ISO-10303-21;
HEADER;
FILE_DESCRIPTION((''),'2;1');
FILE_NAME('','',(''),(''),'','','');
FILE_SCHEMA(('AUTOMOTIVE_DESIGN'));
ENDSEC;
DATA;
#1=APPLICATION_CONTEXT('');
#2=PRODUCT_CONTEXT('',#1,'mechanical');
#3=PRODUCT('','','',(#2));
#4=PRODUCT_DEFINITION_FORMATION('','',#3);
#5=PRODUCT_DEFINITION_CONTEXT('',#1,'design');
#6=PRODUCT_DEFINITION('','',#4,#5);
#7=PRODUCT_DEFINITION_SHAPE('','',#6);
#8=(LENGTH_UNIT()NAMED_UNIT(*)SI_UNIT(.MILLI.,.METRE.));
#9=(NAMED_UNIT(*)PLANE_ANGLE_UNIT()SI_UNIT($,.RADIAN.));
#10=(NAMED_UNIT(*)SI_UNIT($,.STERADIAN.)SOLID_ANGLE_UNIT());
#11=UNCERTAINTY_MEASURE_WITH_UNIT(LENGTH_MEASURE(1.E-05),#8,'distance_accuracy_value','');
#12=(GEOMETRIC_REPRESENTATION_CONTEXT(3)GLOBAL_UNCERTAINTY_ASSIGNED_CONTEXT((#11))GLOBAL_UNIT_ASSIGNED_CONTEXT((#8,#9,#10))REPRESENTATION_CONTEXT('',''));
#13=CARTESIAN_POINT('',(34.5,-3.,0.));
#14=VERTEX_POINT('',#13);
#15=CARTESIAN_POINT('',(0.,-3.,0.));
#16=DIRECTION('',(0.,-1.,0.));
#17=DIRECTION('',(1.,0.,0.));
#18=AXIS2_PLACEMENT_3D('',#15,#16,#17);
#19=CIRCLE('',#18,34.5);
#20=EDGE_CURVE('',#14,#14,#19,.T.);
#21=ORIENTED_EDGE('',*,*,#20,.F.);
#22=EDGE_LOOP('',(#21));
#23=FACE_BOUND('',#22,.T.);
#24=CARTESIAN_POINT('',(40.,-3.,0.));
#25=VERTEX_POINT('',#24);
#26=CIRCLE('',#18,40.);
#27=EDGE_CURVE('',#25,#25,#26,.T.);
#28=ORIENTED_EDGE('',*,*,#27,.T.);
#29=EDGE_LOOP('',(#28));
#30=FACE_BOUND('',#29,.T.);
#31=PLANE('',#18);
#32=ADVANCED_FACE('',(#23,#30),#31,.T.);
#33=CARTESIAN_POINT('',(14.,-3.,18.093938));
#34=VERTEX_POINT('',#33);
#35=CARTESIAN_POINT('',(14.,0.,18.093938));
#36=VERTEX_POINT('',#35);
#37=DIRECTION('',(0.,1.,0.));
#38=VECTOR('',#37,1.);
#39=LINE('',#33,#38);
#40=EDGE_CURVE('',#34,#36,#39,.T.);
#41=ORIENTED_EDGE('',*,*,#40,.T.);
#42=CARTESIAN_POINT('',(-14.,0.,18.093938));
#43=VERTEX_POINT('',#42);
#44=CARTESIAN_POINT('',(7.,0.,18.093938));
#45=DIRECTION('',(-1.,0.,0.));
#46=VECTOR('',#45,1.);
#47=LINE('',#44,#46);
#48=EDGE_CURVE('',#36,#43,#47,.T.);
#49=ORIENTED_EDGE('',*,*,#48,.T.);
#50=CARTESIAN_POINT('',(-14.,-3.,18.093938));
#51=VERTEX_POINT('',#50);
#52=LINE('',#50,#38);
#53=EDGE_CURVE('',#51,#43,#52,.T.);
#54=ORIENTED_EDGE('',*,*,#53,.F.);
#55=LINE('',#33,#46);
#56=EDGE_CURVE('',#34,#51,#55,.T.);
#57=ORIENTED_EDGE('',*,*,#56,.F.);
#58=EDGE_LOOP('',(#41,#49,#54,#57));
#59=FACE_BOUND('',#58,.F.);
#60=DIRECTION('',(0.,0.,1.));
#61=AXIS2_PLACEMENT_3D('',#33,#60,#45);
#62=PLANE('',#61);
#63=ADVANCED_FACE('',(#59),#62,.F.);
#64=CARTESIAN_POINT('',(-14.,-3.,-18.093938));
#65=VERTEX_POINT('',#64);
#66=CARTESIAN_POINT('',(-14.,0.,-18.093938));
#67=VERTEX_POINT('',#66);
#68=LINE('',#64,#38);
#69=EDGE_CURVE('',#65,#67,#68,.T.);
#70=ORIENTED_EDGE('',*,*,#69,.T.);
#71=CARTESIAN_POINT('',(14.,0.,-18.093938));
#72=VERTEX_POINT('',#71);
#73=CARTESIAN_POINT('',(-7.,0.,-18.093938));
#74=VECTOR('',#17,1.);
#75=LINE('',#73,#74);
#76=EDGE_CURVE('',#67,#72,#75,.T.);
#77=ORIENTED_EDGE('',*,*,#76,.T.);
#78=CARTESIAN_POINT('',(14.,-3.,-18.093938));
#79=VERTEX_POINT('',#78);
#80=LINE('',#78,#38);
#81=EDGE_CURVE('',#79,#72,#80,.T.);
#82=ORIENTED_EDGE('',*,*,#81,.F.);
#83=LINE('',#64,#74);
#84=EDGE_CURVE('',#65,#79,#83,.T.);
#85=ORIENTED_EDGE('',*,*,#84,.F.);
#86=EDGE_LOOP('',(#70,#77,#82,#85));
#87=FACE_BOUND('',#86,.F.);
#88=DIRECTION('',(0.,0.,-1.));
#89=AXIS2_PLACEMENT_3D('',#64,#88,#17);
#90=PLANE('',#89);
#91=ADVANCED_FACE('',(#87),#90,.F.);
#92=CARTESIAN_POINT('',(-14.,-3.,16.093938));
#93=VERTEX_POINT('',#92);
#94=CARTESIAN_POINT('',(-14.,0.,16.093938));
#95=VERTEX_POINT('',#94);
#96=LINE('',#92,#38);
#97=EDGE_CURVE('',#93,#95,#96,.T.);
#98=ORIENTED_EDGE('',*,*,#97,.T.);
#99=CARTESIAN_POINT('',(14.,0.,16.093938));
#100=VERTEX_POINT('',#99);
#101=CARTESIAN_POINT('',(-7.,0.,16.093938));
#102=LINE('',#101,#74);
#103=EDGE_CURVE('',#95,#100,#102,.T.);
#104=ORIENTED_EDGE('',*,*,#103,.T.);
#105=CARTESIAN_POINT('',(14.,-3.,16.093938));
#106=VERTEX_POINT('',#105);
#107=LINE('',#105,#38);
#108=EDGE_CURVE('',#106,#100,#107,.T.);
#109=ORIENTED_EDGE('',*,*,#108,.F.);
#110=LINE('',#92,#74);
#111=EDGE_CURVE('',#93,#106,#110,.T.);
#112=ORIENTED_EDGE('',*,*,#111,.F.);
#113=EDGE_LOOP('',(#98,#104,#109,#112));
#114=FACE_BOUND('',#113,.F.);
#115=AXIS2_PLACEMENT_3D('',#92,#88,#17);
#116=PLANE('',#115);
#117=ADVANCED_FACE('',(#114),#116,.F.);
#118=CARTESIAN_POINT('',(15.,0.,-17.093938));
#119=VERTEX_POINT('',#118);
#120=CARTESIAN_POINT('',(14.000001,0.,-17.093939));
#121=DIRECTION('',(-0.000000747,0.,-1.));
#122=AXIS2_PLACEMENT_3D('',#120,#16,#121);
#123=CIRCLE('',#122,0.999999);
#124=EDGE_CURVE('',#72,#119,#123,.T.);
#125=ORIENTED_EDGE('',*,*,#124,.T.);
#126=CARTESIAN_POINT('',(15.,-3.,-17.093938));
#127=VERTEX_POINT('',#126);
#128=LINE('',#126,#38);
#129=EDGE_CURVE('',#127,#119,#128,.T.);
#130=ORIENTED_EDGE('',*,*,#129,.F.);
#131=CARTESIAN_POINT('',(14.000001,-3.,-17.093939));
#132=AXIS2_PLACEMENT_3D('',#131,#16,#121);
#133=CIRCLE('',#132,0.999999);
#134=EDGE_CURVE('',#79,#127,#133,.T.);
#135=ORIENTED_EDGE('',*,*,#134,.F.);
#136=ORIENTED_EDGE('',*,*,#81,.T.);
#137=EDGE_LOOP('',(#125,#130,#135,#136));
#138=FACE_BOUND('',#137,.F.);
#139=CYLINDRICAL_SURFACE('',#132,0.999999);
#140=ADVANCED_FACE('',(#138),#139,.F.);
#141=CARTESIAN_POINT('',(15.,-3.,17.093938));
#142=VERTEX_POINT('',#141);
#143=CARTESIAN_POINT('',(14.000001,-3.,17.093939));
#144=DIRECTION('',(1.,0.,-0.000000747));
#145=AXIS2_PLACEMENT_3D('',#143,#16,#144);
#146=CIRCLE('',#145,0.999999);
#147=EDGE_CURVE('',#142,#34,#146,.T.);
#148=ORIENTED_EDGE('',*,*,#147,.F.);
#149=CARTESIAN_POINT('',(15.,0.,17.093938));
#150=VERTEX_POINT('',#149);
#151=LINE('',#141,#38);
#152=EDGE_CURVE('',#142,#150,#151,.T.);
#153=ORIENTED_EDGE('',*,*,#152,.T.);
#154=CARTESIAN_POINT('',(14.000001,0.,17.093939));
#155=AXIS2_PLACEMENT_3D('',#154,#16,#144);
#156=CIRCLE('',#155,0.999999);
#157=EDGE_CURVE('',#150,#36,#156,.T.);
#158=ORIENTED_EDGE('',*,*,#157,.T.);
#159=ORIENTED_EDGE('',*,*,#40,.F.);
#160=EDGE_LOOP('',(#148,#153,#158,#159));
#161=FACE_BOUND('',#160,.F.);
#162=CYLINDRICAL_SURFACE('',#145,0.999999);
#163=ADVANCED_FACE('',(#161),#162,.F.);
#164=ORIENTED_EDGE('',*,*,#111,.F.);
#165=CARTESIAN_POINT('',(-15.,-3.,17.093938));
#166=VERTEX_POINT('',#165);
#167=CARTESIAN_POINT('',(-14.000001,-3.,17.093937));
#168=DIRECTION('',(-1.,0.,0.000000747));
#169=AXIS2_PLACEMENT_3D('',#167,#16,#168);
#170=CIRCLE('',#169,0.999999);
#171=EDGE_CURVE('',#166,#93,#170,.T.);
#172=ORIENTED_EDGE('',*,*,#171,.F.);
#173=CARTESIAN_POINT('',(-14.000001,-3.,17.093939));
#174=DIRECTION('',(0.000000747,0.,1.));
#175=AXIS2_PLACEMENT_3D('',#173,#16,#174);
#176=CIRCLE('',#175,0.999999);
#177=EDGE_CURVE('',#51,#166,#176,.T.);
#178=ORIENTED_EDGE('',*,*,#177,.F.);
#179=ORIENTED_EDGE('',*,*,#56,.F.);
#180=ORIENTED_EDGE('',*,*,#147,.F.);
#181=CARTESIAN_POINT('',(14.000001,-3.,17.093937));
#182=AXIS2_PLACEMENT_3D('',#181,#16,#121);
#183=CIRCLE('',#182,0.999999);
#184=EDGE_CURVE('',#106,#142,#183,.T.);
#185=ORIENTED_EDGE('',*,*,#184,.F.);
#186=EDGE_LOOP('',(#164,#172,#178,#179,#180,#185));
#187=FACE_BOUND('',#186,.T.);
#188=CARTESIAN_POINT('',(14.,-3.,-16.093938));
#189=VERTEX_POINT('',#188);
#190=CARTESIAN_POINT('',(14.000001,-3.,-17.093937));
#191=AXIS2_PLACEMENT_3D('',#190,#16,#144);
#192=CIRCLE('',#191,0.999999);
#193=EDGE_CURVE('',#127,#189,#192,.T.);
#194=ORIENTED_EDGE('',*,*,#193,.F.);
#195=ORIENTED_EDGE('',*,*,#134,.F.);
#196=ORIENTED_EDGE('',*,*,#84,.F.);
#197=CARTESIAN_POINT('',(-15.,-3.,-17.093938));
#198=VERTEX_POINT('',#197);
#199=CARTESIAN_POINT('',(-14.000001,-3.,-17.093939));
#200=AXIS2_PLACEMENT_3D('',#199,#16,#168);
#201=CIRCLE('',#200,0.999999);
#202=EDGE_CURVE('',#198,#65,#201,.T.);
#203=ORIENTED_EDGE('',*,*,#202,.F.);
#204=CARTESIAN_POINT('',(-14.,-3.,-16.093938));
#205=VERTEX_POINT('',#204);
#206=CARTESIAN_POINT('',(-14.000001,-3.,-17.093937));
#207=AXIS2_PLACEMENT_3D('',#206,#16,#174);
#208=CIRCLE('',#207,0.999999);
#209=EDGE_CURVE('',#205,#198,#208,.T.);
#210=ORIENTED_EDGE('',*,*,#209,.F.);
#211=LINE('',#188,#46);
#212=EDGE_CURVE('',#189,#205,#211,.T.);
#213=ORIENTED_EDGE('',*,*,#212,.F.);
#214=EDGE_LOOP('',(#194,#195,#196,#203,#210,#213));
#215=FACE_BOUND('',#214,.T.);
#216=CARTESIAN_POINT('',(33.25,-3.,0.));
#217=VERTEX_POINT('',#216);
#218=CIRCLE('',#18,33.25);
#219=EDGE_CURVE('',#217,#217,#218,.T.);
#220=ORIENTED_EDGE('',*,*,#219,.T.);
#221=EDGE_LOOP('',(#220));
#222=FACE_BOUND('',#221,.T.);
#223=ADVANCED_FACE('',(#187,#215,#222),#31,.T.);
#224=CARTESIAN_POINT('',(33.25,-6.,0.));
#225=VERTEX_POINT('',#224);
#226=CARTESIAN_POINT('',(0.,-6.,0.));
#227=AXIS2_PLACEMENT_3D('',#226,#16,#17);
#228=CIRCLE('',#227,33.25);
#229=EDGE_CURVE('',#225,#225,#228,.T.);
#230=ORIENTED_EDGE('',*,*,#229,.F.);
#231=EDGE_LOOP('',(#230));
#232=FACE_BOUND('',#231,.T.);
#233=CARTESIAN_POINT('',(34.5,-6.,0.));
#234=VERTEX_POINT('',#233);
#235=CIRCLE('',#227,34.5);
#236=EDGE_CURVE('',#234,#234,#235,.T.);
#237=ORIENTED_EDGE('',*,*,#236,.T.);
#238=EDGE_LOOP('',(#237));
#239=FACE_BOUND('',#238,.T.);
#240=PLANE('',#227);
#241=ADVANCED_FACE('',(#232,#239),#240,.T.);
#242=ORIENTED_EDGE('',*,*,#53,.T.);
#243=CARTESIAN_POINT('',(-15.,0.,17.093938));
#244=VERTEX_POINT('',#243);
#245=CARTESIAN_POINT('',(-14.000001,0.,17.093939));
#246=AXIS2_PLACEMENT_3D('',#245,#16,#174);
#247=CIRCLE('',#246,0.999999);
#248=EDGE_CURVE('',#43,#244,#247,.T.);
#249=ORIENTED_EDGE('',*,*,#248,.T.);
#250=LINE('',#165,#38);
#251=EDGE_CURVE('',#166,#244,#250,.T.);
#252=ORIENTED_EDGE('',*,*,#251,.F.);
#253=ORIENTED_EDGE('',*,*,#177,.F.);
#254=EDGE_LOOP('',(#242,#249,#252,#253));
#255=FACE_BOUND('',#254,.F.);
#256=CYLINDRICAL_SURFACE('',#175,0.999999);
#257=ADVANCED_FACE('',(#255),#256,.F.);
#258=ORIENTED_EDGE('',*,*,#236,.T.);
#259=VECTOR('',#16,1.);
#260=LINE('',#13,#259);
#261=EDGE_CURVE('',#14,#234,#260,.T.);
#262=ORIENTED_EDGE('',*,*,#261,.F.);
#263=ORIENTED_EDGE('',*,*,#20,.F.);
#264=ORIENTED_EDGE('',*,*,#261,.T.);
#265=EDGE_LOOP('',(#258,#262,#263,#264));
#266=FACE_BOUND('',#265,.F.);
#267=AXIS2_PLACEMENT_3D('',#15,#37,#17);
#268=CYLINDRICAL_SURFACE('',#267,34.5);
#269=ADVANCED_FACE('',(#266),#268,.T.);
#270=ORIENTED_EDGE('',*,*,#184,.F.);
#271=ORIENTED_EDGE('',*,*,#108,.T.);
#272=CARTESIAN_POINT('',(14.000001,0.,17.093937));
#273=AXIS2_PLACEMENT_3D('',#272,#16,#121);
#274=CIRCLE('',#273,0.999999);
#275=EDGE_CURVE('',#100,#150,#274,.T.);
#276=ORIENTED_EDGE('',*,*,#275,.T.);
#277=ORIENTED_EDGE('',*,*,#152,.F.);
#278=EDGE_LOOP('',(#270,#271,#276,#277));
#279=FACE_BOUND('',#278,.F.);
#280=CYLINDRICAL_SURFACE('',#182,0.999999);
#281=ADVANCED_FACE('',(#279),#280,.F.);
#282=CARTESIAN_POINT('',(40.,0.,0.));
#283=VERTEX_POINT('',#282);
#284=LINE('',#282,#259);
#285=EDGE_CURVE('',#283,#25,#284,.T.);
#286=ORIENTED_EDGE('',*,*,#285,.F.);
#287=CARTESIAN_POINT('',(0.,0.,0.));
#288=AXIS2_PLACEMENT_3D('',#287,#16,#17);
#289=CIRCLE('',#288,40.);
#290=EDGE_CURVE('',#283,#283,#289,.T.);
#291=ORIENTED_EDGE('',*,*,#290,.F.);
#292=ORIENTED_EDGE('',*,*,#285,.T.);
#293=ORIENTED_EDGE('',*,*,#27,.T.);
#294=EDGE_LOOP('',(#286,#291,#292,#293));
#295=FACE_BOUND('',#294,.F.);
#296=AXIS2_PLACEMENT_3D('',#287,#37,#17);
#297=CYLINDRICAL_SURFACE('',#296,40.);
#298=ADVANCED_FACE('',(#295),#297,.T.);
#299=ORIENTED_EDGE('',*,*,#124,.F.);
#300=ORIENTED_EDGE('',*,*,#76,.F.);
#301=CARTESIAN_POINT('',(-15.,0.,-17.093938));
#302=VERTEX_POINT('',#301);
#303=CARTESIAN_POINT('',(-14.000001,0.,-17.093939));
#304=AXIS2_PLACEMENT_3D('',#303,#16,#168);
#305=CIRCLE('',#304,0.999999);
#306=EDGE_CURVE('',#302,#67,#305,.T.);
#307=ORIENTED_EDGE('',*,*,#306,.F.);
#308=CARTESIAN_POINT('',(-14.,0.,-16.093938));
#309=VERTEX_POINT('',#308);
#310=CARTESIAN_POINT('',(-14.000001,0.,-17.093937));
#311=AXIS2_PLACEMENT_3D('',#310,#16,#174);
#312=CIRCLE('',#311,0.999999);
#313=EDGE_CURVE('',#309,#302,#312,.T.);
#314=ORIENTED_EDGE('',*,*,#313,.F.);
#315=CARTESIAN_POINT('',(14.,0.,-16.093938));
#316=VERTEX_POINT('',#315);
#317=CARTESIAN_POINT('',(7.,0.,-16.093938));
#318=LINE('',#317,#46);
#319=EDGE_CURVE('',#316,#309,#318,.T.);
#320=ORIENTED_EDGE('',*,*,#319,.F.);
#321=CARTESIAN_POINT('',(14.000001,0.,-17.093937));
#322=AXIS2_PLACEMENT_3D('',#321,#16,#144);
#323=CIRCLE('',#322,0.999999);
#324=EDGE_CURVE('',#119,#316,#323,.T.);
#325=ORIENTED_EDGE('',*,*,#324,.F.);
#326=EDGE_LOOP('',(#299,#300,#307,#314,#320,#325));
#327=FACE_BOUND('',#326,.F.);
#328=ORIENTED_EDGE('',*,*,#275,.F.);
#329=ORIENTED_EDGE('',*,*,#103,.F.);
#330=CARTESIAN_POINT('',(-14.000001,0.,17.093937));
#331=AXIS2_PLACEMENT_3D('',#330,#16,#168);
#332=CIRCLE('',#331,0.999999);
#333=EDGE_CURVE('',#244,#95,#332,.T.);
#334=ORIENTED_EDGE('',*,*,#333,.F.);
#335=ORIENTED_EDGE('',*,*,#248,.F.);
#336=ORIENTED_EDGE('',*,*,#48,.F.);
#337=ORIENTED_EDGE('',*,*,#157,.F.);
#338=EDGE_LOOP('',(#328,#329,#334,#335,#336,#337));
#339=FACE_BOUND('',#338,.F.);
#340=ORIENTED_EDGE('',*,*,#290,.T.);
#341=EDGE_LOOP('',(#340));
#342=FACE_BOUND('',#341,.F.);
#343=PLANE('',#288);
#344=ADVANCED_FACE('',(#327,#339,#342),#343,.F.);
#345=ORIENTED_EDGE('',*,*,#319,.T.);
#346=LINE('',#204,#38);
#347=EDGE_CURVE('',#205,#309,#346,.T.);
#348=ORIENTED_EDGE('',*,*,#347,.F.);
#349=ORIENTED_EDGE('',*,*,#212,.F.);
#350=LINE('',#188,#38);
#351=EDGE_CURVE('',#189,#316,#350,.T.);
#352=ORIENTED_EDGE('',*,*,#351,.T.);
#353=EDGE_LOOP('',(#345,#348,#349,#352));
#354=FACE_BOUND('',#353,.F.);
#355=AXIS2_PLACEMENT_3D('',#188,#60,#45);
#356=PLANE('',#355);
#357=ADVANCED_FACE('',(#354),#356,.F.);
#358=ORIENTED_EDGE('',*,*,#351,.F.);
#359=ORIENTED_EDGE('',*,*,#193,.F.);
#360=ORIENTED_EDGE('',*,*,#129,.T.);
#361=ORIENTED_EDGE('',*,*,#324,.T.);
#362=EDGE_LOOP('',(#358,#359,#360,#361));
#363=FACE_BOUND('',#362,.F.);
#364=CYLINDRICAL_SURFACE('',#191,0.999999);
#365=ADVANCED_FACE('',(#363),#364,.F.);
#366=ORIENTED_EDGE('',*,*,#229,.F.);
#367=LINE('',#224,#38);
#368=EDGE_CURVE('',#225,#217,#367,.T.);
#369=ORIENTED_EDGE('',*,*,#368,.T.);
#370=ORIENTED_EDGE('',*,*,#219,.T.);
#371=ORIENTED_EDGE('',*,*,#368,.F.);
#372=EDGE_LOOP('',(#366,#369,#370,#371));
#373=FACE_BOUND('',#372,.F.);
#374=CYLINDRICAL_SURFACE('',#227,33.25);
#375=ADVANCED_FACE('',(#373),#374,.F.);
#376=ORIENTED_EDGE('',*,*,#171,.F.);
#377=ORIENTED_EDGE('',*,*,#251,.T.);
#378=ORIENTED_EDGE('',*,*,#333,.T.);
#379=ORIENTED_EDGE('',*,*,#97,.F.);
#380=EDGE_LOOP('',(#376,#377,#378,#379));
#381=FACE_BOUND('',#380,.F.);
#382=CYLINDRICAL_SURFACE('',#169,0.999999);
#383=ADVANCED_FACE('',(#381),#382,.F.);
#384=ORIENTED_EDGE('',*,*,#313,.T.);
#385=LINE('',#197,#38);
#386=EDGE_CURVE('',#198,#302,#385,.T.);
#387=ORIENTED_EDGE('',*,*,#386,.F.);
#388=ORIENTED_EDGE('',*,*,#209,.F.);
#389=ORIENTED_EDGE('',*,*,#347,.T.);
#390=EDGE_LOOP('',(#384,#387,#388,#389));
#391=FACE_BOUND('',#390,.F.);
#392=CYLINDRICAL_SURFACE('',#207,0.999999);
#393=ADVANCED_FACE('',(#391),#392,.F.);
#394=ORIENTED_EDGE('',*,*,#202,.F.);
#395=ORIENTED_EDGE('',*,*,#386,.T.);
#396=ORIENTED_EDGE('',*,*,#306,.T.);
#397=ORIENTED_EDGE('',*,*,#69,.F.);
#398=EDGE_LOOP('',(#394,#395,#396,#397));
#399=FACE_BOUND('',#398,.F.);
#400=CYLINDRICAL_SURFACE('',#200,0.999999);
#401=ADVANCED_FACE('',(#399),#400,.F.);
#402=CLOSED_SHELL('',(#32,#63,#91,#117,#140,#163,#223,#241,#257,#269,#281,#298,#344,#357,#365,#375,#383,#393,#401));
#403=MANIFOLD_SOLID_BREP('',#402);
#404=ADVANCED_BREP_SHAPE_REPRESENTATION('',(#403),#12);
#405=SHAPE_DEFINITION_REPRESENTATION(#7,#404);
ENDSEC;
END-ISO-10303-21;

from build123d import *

# Parameters (mm, degrees)
F0_R     = 40
F1_DEPTH = 3
F2_R     = 34.5
F3_DEPTH = 3
F4_R     = 33.25
F5_DEPTH = 3
F7_DEPTH = 3.001


with BuildPart() as f1:
    # F0 (on Front) → F1 (new body)
    with BuildSketch(Plane.XZ):
        Circle(F0_R)
    extrude(amount=F1_DEPTH)

    # F2 (on face) → F3 (join)
    with BuildSketch(Plane.XZ.offset(3)):
        Circle(F2_R)
    extrude(amount=F3_DEPTH)

    # F4 (on face) → F5 (cut)
    with BuildSketch(Plane.XZ.offset(6)):
        Circle(F4_R)
    extrude(amount=-F5_DEPTH, mode=Mode.SUBTRACT)

    # F6 (on face) → F7 (cut, through all)
    with BuildSketch(Plane.XZ.offset(3)):
        with BuildLine():
            Line((14, 18.093938), (-14, 18.093938))
            ThreePointArc((-14, 18.093938), (-14.707107, 17.801045), (-15, 17.093938))
            ThreePointArc((-15, 17.093938), (-14.707107, 16.386831), (-14, 16.093938))
            Line((-14, 16.093938), (14, 16.093938))
            ThreePointArc((14, 16.093938), (14.707107, 16.386831), (15, 17.093938))
            ThreePointArc((15, 17.093938), (14.707107, 17.801045), (14, 18.093938))
        make_face()
        with BuildLine():
            Line((14, -16.093938), (-14, -16.093938))
            ThreePointArc((-14, -16.093938), (-14.707107, -16.386831), (-15, -17.093938))
            ThreePointArc((-15, -17.093938), (-14.707107, -17.801045), (-14, -18.093938))
            Line((-14, -18.093938), (14, -18.093938))
            ThreePointArc((14, -18.093938), (14.707107, -17.801045), (15, -17.093938))
            ThreePointArc((15, -17.093938), (14.707107, -16.386831), (14, -16.093938))
        make_face()
    extrude(amount=-F7_DEPTH, mode=Mode.SUBTRACT)


solid = f1.part
